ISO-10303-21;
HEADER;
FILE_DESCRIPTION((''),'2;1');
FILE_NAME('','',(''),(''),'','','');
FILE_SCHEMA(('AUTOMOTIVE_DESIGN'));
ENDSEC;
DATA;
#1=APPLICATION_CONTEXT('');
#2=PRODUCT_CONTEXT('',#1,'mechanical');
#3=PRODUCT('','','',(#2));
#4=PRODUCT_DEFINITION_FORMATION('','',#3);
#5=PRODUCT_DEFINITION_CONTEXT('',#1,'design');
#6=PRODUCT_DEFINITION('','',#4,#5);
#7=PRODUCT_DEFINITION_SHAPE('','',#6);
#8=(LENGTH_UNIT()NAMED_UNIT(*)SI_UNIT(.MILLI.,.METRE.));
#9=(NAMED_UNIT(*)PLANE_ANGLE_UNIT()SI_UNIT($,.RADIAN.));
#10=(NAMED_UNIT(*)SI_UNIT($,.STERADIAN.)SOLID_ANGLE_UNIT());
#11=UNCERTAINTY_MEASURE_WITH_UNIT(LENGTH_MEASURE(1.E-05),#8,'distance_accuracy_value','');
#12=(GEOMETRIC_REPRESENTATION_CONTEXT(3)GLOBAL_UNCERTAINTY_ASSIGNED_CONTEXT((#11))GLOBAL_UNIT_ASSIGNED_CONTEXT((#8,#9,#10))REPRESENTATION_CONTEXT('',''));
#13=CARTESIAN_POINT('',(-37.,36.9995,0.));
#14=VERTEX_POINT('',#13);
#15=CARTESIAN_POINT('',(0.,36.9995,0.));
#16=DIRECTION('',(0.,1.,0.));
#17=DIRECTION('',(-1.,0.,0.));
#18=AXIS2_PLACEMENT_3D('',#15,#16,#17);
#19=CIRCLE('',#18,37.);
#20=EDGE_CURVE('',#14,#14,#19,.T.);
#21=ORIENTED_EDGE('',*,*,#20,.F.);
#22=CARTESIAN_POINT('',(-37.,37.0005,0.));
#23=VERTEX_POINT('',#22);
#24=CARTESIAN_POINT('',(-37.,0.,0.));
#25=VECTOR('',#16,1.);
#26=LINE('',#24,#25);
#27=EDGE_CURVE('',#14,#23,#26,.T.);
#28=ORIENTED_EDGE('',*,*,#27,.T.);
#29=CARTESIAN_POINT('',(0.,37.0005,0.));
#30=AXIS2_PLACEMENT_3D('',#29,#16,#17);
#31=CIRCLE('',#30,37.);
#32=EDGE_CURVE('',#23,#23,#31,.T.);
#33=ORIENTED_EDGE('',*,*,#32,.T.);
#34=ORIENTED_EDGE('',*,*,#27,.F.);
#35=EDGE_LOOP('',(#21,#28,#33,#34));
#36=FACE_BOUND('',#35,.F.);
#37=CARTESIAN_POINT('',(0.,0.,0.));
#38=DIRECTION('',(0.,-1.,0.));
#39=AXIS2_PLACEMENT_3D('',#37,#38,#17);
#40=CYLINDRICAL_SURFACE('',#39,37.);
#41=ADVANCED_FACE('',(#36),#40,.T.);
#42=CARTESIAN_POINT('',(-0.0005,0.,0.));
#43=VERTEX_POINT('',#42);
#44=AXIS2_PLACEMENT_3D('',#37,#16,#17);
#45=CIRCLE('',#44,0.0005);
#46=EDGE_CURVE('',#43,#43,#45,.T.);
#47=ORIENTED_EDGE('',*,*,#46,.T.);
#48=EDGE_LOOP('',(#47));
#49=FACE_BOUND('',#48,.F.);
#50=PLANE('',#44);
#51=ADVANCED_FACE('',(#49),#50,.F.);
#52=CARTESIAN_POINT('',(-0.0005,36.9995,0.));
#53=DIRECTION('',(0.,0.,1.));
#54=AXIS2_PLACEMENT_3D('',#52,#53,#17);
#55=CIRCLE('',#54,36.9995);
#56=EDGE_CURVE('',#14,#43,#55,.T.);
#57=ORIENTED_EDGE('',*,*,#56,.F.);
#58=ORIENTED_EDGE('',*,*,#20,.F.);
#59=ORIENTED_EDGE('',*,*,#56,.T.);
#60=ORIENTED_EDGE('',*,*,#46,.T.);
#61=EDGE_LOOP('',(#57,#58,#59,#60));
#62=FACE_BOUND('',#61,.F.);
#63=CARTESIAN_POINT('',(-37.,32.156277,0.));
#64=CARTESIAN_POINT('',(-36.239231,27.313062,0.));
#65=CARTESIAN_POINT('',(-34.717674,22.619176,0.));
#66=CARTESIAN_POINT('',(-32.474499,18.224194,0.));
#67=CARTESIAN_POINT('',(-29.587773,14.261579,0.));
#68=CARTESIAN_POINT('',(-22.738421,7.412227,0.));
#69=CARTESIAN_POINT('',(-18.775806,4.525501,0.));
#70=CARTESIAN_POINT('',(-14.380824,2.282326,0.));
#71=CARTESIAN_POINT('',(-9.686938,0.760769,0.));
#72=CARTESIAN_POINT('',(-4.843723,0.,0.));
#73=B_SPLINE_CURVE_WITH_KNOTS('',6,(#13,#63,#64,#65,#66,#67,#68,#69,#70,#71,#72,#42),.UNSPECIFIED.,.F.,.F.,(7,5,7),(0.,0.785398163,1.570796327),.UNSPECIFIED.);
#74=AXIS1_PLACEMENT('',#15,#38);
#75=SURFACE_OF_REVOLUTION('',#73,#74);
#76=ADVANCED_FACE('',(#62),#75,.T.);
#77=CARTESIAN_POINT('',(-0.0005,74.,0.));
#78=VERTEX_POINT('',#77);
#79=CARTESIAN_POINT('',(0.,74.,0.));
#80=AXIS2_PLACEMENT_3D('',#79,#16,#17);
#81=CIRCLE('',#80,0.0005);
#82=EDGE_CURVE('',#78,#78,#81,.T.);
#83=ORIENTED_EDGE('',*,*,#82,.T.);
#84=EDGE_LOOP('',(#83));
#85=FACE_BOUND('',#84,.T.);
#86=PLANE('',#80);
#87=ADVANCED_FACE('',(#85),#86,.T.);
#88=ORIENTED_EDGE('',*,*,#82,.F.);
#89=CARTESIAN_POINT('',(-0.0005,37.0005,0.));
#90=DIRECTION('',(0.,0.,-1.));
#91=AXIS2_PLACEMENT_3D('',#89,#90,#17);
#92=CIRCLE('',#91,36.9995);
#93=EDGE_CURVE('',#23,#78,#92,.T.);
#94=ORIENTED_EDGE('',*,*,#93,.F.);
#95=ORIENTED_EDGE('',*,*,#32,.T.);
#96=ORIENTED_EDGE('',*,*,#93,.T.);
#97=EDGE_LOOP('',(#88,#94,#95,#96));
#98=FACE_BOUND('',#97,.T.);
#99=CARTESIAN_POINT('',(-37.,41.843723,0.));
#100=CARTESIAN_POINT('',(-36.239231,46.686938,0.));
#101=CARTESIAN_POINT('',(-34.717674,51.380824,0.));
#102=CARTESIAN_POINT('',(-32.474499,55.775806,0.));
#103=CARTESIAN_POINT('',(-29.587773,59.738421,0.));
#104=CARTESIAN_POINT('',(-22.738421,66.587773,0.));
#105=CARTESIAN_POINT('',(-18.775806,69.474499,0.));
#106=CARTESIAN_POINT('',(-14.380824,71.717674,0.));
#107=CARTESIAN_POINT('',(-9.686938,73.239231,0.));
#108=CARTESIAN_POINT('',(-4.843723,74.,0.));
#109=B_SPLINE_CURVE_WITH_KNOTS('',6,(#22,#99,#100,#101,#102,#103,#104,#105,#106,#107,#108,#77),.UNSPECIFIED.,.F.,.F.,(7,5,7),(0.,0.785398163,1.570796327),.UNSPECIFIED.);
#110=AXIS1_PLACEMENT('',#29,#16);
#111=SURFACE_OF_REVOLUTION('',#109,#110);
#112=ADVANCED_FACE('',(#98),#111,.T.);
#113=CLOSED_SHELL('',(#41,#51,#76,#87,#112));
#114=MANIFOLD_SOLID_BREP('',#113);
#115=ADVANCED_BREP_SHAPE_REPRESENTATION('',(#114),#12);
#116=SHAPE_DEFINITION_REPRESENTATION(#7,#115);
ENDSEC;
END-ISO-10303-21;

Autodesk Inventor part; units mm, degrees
ref_plane "YZ Plane" through (0, 0, 0) normal (1, 0, 0) x (0, 1, 0)
ref_plane "XZ Plane" through (0, 0, 0) normal (0, 1, 0) x (-1, 0, 0)
ref_plane "XY Plane" through (0, 0, 0) normal (0, 0, 1) x (1, 0, 0)
sketch "Sketch1" plane through (0, 0, 0) normal (0, 1, 0) x (-1, 0, 0)
  circle A0 centre (0, 0) radius 37
  dimension "d0" = 74
extrude "Extrusion1" add sketch "Sketch1" along normal blind 74
fillet "Fillet1" radius 37 2 edges at (37, 74, 0) (37, 0, 0)
properties part number "Ball"
